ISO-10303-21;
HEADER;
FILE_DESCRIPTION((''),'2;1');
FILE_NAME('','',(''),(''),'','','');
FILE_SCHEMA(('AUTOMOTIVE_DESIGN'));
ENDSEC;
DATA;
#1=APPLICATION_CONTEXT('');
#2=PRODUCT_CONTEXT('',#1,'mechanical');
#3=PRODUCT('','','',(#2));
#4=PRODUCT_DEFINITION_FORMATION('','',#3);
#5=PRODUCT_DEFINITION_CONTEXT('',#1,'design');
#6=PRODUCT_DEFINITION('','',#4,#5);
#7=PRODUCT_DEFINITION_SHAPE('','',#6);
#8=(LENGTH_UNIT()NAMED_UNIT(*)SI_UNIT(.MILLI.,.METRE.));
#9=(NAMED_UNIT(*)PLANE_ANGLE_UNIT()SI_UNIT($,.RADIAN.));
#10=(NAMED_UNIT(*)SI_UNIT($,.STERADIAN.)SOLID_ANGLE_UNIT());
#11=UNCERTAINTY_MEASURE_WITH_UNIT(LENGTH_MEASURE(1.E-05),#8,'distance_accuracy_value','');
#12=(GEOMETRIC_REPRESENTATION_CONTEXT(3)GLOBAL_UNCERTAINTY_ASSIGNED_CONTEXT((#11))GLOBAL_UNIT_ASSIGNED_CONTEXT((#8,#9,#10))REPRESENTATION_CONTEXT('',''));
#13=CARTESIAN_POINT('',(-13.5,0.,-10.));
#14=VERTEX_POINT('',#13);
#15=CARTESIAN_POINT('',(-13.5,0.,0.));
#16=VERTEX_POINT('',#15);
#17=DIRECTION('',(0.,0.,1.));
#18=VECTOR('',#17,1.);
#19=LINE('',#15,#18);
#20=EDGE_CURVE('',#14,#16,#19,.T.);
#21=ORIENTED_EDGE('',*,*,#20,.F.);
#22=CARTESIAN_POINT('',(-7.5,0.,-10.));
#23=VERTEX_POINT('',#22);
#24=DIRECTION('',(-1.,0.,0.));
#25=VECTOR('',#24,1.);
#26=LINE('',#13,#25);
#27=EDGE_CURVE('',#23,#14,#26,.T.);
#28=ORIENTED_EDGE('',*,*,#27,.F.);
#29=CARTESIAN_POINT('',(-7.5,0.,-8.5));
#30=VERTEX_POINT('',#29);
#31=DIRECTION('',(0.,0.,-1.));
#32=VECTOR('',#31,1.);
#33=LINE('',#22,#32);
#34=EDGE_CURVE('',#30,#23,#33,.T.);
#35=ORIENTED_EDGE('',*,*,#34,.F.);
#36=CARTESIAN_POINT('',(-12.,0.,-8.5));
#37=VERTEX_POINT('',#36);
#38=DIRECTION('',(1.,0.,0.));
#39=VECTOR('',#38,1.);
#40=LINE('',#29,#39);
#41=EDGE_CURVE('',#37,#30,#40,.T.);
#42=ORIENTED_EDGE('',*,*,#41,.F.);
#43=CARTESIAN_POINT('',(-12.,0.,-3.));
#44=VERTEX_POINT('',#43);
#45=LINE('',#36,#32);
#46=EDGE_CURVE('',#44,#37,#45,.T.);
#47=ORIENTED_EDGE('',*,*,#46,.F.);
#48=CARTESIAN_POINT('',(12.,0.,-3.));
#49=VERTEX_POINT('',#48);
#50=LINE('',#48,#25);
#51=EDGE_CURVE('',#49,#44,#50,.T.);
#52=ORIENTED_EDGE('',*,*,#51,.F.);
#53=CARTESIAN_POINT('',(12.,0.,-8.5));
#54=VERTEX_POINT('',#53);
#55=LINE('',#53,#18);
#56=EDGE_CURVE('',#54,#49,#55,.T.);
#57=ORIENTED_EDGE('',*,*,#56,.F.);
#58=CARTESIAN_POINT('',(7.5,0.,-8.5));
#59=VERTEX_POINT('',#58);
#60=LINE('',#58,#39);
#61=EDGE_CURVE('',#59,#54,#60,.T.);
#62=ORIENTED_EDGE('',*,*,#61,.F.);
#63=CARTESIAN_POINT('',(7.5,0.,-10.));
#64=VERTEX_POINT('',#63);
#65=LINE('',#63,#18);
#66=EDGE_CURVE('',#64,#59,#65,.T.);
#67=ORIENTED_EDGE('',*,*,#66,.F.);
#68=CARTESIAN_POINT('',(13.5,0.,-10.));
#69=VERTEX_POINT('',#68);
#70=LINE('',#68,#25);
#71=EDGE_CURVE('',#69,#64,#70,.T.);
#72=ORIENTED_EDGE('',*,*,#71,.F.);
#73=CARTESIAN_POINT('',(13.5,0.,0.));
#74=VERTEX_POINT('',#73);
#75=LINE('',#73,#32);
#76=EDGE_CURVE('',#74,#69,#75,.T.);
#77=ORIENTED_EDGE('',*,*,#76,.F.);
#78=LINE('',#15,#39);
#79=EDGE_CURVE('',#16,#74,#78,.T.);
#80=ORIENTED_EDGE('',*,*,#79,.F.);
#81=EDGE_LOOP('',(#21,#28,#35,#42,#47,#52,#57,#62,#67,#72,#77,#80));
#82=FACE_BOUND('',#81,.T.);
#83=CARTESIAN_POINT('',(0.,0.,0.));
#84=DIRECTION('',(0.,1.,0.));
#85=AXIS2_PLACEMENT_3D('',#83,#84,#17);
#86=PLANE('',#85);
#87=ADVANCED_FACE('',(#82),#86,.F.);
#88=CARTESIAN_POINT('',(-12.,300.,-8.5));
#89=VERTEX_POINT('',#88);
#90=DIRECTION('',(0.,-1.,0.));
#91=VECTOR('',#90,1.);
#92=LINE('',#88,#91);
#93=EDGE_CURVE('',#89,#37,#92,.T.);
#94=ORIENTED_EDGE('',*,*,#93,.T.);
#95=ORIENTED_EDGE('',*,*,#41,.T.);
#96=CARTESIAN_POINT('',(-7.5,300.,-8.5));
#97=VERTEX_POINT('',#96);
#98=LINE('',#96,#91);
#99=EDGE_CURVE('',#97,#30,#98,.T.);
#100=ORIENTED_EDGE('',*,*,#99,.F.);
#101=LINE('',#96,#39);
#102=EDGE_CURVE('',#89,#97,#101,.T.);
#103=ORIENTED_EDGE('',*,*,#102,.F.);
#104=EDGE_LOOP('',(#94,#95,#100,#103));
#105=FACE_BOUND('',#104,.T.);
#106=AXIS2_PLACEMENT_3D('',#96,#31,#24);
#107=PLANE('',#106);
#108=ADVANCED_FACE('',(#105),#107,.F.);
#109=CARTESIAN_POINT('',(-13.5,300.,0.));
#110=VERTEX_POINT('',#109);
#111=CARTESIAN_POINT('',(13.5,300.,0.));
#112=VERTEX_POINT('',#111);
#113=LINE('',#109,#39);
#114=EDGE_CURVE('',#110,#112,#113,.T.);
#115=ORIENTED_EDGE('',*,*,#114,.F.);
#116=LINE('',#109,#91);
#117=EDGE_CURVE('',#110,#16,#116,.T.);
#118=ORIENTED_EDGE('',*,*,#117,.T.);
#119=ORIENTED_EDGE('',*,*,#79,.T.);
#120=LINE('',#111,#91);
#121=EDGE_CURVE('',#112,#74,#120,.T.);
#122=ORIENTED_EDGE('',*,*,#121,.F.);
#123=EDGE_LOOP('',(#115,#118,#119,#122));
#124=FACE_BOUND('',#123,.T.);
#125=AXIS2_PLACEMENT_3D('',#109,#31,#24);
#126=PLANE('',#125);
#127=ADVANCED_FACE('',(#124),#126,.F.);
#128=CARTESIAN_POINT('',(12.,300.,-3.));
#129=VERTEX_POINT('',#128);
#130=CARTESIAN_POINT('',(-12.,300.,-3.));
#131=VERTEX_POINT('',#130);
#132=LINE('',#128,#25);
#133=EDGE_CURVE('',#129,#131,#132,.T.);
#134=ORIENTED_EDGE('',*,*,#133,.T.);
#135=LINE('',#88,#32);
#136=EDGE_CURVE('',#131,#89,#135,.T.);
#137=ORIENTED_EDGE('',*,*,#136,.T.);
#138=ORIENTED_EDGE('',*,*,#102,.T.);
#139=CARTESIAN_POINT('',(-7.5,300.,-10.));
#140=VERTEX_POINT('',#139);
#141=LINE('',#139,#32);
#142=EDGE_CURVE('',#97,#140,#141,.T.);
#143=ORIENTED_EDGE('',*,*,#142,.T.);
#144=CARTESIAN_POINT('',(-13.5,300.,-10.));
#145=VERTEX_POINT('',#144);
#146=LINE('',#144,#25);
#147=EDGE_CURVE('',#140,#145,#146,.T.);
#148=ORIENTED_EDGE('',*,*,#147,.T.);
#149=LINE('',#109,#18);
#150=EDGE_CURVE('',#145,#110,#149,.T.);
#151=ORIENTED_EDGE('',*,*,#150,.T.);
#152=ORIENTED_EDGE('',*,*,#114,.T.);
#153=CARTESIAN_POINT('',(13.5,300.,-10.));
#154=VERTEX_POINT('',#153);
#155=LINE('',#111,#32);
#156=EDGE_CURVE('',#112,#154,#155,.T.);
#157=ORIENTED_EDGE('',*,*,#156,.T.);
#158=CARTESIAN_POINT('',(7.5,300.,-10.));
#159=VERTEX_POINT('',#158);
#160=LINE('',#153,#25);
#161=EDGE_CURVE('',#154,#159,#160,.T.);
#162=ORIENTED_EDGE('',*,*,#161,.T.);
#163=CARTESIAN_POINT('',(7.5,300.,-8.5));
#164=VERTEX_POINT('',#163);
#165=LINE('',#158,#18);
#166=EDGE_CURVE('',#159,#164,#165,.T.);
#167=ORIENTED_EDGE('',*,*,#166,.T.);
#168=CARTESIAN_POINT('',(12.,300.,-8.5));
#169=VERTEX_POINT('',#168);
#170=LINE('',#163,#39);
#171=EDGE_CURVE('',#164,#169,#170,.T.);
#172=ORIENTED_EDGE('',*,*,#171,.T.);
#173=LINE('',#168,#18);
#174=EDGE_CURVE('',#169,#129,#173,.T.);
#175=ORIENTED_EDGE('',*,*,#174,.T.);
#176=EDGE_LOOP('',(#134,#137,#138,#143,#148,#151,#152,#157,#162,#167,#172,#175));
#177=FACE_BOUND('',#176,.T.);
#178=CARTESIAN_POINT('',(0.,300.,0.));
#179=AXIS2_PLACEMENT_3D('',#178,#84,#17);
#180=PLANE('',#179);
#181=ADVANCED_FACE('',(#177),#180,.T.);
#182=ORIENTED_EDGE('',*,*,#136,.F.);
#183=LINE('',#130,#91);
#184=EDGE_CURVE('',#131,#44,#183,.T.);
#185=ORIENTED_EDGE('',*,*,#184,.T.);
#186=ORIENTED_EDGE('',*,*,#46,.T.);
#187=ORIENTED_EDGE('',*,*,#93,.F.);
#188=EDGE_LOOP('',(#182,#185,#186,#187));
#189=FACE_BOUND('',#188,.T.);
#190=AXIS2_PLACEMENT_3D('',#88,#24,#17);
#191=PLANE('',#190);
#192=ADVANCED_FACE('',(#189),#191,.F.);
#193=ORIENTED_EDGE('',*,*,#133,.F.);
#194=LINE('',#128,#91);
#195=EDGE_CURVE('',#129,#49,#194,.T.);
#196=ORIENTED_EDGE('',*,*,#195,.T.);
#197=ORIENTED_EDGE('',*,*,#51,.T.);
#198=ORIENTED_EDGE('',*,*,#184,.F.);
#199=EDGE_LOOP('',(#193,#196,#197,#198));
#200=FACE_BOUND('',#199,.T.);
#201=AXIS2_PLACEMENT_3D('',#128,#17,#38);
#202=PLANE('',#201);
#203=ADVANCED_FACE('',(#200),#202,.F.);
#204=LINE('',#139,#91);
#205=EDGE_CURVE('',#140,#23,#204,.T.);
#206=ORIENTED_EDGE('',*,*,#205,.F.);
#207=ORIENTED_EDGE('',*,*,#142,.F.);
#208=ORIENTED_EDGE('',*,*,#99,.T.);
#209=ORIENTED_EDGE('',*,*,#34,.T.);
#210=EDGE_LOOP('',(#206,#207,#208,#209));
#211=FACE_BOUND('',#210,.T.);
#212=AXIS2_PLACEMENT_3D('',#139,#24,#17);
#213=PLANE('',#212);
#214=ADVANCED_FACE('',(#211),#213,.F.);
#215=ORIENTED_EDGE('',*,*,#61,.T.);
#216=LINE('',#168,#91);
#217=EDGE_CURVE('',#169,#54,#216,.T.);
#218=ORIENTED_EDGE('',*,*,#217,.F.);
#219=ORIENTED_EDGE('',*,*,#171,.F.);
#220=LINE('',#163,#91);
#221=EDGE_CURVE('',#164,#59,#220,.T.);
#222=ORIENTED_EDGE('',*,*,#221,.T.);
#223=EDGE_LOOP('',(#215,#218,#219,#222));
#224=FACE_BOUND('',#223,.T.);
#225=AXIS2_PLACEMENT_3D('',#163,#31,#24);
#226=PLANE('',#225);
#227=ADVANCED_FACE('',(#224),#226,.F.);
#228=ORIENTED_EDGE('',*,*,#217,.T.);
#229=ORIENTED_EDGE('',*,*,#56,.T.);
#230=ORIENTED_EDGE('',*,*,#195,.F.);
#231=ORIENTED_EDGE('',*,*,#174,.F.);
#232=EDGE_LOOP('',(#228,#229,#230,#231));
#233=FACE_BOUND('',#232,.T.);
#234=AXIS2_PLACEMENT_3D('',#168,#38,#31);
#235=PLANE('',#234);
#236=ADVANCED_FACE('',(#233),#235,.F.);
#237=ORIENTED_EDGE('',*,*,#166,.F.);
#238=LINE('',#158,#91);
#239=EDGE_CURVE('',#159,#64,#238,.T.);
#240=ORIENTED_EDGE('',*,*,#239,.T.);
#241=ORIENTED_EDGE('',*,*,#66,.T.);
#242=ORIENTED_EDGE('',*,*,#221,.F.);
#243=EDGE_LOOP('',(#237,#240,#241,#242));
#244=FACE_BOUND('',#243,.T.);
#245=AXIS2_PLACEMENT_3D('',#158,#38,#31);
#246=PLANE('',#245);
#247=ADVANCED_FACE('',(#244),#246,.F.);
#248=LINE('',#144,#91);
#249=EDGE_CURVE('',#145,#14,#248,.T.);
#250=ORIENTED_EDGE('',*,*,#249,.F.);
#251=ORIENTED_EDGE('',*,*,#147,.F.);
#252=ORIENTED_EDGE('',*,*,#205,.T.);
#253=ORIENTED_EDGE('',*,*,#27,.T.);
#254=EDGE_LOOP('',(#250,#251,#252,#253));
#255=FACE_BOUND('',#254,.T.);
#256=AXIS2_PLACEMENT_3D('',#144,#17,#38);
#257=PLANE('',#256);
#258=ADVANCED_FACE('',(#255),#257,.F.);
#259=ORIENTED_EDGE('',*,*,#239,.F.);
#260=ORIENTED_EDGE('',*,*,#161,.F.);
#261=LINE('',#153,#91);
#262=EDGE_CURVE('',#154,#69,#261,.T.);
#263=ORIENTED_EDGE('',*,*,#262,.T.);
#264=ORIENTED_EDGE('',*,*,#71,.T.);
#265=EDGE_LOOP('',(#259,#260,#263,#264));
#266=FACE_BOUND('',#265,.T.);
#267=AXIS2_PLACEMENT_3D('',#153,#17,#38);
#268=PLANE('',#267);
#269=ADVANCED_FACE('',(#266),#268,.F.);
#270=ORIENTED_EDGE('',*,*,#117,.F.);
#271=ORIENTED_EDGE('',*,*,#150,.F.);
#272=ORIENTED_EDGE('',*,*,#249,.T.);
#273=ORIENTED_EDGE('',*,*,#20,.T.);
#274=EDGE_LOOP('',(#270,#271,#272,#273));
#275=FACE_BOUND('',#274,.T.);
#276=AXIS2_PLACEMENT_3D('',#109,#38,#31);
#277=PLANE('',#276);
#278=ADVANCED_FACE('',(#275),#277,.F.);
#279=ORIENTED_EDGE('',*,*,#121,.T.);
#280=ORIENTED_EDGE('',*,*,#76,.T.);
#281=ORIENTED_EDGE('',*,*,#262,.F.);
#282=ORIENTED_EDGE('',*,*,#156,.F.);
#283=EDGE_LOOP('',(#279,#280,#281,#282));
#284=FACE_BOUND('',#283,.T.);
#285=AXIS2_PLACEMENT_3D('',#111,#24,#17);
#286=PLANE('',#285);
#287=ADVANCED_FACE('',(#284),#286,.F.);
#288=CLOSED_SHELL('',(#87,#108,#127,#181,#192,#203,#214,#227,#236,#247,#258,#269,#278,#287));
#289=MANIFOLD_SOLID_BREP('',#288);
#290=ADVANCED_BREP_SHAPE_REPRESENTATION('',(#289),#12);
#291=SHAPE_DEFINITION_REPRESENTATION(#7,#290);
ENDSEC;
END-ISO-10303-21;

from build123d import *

# Parameters (mm, degrees)
BOSS_EXTRU_1_DEPTH = 300


with BuildPart() as part:
    # Esquisse1 → Boss.-Extru.1 (new body)
    with BuildSketch(Plane(origin=(0, 0, 0), x_dir=(1, 0, 0), z_dir=(0, 1, 0))):
        Polygon((-13.5, 0), (13.5, 0), (13.5, 10), (7.5, 10), (7.5, 8.5), (12, 8.5), (12, 3), (-12, 3), (-12, 8.5), (-7.5, 8.5), (-7.5, 10), (-13.5, 10), align=None)
    extrude(amount=BOSS_EXTRU_1_DEPTH)


solid = part.part
